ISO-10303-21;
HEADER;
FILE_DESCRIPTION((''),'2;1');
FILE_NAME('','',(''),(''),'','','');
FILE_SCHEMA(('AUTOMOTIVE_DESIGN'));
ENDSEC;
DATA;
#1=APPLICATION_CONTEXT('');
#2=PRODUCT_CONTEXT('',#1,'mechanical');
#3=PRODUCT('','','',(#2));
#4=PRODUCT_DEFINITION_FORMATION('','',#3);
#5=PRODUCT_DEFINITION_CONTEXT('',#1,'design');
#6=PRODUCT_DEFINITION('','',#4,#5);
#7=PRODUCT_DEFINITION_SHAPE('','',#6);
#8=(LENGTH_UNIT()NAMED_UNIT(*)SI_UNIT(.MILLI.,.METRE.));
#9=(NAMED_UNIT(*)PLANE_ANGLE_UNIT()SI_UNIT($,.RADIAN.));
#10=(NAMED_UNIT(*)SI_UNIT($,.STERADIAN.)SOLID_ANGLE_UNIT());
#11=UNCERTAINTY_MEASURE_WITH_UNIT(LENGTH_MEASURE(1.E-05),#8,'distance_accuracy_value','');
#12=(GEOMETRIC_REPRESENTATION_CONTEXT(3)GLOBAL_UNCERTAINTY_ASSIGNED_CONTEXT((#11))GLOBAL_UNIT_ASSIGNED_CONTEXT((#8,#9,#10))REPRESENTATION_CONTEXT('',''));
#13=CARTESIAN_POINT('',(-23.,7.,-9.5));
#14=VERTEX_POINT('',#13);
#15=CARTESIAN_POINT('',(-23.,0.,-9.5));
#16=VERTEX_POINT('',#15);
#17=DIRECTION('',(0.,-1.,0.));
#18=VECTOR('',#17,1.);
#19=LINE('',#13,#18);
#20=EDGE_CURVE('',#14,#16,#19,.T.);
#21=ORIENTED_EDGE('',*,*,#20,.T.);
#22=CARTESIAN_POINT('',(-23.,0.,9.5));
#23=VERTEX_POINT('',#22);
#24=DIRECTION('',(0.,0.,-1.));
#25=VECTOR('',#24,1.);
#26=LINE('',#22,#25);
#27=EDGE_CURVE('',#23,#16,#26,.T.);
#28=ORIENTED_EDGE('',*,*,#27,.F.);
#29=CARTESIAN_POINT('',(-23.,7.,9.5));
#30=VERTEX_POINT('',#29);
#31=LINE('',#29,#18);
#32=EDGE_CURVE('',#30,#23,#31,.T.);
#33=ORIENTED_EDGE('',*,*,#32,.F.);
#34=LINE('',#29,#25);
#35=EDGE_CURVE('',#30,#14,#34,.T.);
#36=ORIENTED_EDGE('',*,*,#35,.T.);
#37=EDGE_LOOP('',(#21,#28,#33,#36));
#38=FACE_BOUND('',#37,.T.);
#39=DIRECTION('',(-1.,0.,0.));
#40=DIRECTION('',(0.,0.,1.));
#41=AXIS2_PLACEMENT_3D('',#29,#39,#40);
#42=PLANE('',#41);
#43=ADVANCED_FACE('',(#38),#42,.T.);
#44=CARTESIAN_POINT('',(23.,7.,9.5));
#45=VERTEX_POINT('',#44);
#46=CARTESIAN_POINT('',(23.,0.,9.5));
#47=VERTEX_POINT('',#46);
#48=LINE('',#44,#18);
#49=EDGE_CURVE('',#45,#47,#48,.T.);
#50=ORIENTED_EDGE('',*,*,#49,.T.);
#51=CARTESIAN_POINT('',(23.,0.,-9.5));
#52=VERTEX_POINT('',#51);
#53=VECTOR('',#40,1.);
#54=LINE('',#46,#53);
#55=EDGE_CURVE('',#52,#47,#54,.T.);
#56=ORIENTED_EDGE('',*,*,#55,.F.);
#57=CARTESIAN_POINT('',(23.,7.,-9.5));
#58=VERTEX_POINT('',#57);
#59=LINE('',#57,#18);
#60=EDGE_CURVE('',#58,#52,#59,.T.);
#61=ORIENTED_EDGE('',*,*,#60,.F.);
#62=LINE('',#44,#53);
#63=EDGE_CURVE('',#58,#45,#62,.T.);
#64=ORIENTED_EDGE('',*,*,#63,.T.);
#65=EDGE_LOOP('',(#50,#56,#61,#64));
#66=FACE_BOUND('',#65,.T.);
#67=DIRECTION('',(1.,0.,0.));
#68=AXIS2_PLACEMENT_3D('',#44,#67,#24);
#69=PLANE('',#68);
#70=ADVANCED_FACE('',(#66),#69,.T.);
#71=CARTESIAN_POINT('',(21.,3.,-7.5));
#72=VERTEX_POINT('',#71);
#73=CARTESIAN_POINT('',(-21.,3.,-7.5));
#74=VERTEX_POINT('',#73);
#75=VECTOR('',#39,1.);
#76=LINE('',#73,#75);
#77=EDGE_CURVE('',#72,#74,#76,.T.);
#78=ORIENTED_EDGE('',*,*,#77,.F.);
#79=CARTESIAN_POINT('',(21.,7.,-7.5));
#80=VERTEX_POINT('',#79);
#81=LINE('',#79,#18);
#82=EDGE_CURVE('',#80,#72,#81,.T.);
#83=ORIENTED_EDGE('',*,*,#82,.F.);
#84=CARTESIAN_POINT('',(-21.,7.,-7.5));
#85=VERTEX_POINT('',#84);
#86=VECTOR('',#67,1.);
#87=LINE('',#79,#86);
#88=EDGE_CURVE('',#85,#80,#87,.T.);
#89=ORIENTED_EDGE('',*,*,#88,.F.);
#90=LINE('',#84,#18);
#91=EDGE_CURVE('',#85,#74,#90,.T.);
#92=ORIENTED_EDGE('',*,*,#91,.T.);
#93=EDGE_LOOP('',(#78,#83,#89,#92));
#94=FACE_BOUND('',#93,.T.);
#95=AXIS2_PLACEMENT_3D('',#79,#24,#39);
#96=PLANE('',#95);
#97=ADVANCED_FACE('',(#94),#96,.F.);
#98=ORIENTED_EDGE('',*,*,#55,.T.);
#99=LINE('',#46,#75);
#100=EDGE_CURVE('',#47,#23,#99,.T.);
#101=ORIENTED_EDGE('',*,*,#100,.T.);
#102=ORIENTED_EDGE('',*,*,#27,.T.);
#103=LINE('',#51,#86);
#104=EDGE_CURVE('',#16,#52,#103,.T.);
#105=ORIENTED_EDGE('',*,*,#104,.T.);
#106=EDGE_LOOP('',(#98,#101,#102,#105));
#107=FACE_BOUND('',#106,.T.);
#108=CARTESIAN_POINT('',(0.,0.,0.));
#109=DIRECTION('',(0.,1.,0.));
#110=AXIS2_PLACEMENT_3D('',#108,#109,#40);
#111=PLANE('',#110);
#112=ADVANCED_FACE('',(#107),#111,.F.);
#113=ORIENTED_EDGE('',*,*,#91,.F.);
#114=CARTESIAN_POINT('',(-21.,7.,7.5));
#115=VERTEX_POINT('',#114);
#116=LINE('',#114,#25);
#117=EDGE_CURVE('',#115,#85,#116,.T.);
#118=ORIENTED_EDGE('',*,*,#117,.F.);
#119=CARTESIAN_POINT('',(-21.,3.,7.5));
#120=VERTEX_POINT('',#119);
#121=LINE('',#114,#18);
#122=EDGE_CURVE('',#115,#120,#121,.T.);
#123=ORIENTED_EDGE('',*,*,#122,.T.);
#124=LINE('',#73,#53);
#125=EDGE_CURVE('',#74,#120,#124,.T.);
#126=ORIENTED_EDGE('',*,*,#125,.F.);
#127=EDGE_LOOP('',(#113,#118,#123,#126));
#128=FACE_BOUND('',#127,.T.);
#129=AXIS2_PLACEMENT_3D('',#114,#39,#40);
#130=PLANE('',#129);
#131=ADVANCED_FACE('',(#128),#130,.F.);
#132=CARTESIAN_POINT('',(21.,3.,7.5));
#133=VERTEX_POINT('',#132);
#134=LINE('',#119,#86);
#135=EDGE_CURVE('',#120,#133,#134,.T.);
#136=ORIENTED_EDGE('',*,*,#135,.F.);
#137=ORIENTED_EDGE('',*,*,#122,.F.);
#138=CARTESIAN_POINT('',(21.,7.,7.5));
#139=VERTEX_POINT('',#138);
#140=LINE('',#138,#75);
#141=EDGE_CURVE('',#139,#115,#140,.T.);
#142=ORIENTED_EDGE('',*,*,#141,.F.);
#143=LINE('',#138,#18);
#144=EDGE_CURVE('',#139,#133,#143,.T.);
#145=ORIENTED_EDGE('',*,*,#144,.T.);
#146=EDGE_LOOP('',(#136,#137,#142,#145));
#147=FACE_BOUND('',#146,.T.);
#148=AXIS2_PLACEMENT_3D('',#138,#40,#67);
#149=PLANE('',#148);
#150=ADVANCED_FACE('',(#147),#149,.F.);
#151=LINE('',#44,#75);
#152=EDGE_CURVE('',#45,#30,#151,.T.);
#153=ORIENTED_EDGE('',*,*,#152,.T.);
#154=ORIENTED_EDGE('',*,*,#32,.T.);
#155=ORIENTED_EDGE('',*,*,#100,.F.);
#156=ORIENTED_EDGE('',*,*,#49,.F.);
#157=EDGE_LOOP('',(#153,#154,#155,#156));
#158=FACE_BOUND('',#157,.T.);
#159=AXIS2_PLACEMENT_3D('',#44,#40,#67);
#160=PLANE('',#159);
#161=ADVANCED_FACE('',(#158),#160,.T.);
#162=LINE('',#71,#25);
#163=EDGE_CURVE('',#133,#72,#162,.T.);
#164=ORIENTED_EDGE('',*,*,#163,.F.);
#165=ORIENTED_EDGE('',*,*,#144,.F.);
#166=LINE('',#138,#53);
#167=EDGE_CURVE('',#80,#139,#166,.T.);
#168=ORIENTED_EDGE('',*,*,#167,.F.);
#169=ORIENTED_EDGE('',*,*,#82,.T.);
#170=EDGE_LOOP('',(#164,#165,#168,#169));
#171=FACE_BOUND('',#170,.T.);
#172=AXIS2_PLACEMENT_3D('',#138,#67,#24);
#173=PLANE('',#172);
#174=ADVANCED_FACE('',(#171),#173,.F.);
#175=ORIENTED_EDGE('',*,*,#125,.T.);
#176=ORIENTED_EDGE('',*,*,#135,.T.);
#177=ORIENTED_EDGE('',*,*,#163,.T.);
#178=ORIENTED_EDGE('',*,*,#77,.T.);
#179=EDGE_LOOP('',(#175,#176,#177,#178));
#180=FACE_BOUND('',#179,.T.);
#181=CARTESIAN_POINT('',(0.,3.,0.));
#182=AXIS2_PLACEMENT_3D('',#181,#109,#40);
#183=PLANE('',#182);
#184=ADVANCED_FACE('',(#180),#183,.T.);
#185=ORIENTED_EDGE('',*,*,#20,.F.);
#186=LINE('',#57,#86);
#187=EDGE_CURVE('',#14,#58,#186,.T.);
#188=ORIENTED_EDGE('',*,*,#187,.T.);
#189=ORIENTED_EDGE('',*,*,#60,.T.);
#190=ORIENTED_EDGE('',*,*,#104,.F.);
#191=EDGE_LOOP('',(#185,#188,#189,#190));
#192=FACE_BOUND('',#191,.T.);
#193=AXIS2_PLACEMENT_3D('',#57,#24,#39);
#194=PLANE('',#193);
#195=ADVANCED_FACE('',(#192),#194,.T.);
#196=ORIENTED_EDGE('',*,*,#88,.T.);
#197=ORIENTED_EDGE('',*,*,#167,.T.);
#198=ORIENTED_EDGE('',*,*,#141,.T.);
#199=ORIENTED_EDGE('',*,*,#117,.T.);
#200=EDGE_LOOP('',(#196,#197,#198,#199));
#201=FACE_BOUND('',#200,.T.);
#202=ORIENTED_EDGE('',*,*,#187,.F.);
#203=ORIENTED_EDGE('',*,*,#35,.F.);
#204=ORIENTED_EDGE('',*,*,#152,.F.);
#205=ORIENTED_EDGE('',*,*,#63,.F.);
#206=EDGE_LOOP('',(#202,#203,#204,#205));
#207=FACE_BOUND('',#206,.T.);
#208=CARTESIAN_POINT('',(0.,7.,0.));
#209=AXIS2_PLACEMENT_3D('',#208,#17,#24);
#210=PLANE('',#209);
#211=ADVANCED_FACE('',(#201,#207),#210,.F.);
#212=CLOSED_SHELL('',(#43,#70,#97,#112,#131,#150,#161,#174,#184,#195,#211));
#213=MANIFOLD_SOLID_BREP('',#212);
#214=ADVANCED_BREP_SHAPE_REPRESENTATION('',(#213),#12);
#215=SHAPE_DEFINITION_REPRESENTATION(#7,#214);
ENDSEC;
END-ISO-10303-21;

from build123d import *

# Parameters (mm, degrees)
SKETCH1_W           = 42
SKETCH1_H           = 15
BOSS_EXTRUDE1_DEPTH = 3
SKETCH2_W           = 46
SKETCH2_H           = 19
SKETCH2_W_2         = 42
SKETCH2_H_2         = 15
BOSS_EXTRUDE2_DEPTH = 7


with BuildPart() as part:
    # Sketch1 → Boss-Extrude1 (new body)
    with BuildSketch(Plane(origin=(0, 0, 0), x_dir=(1, 0, 0), z_dir=(0, 1, 0))):
        Rectangle(SKETCH1_W, SKETCH1_H)
    extrude(amount=BOSS_EXTRUDE1_DEPTH)

    # Sketch2 → Boss-Extrude2 (add)
    with BuildSketch(Plane.XZ):
        Rectangle(SKETCH2_W, SKETCH2_H)
        Rectangle(SKETCH2_W_2, SKETCH2_H_2, mode=Mode.SUBTRACT)
    extrude(amount=-BOSS_EXTRUDE2_DEPTH)


solid = part.part
